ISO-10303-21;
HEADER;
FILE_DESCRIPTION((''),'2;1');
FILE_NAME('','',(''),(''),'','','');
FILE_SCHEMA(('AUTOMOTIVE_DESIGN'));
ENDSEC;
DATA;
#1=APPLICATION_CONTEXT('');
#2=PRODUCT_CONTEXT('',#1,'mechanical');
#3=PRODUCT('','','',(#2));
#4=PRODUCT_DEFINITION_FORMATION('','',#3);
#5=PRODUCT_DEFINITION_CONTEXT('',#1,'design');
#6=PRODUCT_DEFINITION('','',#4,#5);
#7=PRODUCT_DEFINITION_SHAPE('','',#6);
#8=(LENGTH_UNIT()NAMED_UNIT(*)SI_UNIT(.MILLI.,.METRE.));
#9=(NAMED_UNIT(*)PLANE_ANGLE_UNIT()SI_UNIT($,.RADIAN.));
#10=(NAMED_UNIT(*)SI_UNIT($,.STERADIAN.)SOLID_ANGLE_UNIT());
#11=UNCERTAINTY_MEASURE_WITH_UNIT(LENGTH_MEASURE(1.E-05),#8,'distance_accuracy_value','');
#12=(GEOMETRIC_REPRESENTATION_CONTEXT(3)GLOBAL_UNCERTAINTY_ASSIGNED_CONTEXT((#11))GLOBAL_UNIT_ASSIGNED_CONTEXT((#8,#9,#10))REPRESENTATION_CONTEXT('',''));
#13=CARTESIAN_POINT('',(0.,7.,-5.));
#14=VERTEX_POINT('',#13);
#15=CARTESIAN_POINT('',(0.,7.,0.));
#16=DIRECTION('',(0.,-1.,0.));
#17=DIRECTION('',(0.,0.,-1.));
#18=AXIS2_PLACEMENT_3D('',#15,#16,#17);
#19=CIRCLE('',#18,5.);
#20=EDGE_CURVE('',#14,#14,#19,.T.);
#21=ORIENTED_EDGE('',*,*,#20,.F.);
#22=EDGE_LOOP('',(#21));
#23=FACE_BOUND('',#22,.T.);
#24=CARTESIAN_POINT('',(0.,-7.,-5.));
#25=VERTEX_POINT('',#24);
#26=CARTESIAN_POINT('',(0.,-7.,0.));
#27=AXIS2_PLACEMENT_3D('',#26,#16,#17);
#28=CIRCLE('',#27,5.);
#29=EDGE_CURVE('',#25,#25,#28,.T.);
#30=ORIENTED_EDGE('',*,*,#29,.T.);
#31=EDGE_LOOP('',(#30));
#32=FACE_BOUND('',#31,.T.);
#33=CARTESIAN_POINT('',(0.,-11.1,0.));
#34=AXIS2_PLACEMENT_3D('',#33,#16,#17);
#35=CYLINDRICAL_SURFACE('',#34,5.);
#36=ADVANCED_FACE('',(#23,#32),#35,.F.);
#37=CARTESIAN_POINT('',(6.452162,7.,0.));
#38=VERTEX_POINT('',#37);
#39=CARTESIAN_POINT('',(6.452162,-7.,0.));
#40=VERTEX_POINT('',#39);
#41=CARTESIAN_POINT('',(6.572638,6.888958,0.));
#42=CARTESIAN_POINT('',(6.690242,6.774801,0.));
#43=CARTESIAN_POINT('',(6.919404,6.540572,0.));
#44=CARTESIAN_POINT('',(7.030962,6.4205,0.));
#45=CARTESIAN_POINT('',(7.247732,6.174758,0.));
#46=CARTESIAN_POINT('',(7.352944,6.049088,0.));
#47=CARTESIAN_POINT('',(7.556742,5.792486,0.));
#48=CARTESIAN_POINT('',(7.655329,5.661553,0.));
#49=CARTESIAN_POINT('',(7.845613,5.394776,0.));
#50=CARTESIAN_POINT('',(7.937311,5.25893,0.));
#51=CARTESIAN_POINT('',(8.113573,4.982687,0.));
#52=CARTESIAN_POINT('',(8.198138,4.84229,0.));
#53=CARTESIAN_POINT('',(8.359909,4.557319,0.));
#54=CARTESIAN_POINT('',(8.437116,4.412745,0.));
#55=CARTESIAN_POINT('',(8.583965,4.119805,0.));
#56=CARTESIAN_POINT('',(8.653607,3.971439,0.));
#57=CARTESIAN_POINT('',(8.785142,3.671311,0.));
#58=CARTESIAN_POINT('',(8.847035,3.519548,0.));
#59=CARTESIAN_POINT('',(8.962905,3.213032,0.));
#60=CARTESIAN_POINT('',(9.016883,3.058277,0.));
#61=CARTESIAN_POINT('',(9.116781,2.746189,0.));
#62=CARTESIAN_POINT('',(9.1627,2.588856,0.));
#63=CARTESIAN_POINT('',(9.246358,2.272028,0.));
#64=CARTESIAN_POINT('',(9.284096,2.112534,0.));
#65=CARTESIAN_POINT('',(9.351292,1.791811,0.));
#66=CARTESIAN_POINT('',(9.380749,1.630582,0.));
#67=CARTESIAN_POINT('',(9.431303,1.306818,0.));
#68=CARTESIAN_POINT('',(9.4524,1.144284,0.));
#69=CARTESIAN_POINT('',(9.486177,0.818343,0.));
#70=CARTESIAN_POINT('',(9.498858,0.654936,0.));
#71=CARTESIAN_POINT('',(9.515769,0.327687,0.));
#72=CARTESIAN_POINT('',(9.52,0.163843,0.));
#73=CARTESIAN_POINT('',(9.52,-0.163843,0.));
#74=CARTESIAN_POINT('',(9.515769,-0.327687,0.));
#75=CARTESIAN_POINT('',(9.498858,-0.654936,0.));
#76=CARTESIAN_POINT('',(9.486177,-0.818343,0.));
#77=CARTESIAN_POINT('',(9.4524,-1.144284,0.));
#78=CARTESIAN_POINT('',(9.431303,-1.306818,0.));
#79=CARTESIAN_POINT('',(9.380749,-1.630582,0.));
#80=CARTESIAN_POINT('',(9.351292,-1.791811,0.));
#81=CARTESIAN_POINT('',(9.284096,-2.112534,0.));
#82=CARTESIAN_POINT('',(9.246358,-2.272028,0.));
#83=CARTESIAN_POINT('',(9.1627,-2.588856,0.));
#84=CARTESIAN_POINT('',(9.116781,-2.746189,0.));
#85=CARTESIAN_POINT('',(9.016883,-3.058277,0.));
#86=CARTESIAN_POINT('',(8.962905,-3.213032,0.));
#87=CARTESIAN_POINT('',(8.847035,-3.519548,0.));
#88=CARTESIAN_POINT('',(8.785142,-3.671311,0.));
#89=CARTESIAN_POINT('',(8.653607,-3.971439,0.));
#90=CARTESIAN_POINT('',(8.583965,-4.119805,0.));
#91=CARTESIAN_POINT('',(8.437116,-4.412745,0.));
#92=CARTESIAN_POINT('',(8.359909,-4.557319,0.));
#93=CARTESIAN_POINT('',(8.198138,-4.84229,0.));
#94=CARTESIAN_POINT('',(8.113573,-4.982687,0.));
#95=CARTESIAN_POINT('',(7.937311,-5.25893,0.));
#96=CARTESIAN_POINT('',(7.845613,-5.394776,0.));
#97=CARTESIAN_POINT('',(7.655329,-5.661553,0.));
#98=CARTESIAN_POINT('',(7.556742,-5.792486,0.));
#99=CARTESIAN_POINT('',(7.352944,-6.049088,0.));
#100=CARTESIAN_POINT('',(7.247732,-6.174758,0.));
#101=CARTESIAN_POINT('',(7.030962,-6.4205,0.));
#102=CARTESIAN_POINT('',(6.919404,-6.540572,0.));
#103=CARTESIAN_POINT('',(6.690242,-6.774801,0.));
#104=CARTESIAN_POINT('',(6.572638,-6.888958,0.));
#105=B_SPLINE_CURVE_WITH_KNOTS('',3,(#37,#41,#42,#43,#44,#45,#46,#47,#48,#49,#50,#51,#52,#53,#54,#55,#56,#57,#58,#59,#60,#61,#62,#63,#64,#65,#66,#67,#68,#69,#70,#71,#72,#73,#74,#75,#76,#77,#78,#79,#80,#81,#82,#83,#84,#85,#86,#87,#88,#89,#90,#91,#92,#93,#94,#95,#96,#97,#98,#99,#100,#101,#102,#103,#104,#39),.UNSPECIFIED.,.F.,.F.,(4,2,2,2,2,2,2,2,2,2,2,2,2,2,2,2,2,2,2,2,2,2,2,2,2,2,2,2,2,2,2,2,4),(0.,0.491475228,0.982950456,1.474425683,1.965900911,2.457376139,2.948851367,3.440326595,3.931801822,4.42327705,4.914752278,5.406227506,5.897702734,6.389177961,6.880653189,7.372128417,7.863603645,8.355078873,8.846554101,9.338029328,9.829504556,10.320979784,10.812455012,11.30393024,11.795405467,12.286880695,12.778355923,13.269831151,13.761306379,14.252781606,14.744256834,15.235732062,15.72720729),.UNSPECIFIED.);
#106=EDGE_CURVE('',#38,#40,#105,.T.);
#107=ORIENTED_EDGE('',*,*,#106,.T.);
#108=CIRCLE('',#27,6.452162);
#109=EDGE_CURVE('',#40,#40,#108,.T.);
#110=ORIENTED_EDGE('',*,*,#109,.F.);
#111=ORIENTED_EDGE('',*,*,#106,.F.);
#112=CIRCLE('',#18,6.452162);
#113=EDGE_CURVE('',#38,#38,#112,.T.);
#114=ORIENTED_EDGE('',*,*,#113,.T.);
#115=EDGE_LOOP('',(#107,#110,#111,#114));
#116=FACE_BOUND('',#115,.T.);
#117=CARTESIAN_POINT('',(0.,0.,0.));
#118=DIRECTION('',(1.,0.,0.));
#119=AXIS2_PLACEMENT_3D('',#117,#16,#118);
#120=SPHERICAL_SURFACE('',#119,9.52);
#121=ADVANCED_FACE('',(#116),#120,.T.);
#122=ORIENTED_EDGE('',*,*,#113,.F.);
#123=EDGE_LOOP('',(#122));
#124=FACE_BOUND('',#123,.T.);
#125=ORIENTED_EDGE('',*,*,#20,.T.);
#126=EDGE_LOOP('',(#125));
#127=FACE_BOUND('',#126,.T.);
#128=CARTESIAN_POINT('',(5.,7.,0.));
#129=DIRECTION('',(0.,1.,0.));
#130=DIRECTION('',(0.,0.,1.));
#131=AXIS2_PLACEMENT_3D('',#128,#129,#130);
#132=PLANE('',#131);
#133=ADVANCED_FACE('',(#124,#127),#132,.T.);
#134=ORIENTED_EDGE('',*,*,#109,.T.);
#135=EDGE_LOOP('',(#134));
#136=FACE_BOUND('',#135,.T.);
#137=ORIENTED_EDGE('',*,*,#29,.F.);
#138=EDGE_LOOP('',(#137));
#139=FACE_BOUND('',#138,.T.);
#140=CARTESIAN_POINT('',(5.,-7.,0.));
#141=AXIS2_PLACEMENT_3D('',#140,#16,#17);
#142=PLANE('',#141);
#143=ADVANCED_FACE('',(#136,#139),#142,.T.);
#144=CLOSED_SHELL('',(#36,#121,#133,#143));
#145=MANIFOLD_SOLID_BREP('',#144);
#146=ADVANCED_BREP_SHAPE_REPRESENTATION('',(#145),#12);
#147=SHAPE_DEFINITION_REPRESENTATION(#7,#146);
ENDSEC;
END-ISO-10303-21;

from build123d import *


with BuildPart() as part:
    # Szkic1 → Obrót1 (revolve)
    with BuildSketch(Plane.XY):
        with BuildLine():
            Line((5, -7), (5, 7))
            Line((5, 7), (6.452162428, 7))
            ThreePointArc((6.452162428, 7), (9.52, 0), (6.452162428, -7))
            Line((6.452162428, -7), (5, -7))
        make_face()
    revolve(axis=Axis((0, -11.1, 0), (0, 1, 0)))


solid = part.part
